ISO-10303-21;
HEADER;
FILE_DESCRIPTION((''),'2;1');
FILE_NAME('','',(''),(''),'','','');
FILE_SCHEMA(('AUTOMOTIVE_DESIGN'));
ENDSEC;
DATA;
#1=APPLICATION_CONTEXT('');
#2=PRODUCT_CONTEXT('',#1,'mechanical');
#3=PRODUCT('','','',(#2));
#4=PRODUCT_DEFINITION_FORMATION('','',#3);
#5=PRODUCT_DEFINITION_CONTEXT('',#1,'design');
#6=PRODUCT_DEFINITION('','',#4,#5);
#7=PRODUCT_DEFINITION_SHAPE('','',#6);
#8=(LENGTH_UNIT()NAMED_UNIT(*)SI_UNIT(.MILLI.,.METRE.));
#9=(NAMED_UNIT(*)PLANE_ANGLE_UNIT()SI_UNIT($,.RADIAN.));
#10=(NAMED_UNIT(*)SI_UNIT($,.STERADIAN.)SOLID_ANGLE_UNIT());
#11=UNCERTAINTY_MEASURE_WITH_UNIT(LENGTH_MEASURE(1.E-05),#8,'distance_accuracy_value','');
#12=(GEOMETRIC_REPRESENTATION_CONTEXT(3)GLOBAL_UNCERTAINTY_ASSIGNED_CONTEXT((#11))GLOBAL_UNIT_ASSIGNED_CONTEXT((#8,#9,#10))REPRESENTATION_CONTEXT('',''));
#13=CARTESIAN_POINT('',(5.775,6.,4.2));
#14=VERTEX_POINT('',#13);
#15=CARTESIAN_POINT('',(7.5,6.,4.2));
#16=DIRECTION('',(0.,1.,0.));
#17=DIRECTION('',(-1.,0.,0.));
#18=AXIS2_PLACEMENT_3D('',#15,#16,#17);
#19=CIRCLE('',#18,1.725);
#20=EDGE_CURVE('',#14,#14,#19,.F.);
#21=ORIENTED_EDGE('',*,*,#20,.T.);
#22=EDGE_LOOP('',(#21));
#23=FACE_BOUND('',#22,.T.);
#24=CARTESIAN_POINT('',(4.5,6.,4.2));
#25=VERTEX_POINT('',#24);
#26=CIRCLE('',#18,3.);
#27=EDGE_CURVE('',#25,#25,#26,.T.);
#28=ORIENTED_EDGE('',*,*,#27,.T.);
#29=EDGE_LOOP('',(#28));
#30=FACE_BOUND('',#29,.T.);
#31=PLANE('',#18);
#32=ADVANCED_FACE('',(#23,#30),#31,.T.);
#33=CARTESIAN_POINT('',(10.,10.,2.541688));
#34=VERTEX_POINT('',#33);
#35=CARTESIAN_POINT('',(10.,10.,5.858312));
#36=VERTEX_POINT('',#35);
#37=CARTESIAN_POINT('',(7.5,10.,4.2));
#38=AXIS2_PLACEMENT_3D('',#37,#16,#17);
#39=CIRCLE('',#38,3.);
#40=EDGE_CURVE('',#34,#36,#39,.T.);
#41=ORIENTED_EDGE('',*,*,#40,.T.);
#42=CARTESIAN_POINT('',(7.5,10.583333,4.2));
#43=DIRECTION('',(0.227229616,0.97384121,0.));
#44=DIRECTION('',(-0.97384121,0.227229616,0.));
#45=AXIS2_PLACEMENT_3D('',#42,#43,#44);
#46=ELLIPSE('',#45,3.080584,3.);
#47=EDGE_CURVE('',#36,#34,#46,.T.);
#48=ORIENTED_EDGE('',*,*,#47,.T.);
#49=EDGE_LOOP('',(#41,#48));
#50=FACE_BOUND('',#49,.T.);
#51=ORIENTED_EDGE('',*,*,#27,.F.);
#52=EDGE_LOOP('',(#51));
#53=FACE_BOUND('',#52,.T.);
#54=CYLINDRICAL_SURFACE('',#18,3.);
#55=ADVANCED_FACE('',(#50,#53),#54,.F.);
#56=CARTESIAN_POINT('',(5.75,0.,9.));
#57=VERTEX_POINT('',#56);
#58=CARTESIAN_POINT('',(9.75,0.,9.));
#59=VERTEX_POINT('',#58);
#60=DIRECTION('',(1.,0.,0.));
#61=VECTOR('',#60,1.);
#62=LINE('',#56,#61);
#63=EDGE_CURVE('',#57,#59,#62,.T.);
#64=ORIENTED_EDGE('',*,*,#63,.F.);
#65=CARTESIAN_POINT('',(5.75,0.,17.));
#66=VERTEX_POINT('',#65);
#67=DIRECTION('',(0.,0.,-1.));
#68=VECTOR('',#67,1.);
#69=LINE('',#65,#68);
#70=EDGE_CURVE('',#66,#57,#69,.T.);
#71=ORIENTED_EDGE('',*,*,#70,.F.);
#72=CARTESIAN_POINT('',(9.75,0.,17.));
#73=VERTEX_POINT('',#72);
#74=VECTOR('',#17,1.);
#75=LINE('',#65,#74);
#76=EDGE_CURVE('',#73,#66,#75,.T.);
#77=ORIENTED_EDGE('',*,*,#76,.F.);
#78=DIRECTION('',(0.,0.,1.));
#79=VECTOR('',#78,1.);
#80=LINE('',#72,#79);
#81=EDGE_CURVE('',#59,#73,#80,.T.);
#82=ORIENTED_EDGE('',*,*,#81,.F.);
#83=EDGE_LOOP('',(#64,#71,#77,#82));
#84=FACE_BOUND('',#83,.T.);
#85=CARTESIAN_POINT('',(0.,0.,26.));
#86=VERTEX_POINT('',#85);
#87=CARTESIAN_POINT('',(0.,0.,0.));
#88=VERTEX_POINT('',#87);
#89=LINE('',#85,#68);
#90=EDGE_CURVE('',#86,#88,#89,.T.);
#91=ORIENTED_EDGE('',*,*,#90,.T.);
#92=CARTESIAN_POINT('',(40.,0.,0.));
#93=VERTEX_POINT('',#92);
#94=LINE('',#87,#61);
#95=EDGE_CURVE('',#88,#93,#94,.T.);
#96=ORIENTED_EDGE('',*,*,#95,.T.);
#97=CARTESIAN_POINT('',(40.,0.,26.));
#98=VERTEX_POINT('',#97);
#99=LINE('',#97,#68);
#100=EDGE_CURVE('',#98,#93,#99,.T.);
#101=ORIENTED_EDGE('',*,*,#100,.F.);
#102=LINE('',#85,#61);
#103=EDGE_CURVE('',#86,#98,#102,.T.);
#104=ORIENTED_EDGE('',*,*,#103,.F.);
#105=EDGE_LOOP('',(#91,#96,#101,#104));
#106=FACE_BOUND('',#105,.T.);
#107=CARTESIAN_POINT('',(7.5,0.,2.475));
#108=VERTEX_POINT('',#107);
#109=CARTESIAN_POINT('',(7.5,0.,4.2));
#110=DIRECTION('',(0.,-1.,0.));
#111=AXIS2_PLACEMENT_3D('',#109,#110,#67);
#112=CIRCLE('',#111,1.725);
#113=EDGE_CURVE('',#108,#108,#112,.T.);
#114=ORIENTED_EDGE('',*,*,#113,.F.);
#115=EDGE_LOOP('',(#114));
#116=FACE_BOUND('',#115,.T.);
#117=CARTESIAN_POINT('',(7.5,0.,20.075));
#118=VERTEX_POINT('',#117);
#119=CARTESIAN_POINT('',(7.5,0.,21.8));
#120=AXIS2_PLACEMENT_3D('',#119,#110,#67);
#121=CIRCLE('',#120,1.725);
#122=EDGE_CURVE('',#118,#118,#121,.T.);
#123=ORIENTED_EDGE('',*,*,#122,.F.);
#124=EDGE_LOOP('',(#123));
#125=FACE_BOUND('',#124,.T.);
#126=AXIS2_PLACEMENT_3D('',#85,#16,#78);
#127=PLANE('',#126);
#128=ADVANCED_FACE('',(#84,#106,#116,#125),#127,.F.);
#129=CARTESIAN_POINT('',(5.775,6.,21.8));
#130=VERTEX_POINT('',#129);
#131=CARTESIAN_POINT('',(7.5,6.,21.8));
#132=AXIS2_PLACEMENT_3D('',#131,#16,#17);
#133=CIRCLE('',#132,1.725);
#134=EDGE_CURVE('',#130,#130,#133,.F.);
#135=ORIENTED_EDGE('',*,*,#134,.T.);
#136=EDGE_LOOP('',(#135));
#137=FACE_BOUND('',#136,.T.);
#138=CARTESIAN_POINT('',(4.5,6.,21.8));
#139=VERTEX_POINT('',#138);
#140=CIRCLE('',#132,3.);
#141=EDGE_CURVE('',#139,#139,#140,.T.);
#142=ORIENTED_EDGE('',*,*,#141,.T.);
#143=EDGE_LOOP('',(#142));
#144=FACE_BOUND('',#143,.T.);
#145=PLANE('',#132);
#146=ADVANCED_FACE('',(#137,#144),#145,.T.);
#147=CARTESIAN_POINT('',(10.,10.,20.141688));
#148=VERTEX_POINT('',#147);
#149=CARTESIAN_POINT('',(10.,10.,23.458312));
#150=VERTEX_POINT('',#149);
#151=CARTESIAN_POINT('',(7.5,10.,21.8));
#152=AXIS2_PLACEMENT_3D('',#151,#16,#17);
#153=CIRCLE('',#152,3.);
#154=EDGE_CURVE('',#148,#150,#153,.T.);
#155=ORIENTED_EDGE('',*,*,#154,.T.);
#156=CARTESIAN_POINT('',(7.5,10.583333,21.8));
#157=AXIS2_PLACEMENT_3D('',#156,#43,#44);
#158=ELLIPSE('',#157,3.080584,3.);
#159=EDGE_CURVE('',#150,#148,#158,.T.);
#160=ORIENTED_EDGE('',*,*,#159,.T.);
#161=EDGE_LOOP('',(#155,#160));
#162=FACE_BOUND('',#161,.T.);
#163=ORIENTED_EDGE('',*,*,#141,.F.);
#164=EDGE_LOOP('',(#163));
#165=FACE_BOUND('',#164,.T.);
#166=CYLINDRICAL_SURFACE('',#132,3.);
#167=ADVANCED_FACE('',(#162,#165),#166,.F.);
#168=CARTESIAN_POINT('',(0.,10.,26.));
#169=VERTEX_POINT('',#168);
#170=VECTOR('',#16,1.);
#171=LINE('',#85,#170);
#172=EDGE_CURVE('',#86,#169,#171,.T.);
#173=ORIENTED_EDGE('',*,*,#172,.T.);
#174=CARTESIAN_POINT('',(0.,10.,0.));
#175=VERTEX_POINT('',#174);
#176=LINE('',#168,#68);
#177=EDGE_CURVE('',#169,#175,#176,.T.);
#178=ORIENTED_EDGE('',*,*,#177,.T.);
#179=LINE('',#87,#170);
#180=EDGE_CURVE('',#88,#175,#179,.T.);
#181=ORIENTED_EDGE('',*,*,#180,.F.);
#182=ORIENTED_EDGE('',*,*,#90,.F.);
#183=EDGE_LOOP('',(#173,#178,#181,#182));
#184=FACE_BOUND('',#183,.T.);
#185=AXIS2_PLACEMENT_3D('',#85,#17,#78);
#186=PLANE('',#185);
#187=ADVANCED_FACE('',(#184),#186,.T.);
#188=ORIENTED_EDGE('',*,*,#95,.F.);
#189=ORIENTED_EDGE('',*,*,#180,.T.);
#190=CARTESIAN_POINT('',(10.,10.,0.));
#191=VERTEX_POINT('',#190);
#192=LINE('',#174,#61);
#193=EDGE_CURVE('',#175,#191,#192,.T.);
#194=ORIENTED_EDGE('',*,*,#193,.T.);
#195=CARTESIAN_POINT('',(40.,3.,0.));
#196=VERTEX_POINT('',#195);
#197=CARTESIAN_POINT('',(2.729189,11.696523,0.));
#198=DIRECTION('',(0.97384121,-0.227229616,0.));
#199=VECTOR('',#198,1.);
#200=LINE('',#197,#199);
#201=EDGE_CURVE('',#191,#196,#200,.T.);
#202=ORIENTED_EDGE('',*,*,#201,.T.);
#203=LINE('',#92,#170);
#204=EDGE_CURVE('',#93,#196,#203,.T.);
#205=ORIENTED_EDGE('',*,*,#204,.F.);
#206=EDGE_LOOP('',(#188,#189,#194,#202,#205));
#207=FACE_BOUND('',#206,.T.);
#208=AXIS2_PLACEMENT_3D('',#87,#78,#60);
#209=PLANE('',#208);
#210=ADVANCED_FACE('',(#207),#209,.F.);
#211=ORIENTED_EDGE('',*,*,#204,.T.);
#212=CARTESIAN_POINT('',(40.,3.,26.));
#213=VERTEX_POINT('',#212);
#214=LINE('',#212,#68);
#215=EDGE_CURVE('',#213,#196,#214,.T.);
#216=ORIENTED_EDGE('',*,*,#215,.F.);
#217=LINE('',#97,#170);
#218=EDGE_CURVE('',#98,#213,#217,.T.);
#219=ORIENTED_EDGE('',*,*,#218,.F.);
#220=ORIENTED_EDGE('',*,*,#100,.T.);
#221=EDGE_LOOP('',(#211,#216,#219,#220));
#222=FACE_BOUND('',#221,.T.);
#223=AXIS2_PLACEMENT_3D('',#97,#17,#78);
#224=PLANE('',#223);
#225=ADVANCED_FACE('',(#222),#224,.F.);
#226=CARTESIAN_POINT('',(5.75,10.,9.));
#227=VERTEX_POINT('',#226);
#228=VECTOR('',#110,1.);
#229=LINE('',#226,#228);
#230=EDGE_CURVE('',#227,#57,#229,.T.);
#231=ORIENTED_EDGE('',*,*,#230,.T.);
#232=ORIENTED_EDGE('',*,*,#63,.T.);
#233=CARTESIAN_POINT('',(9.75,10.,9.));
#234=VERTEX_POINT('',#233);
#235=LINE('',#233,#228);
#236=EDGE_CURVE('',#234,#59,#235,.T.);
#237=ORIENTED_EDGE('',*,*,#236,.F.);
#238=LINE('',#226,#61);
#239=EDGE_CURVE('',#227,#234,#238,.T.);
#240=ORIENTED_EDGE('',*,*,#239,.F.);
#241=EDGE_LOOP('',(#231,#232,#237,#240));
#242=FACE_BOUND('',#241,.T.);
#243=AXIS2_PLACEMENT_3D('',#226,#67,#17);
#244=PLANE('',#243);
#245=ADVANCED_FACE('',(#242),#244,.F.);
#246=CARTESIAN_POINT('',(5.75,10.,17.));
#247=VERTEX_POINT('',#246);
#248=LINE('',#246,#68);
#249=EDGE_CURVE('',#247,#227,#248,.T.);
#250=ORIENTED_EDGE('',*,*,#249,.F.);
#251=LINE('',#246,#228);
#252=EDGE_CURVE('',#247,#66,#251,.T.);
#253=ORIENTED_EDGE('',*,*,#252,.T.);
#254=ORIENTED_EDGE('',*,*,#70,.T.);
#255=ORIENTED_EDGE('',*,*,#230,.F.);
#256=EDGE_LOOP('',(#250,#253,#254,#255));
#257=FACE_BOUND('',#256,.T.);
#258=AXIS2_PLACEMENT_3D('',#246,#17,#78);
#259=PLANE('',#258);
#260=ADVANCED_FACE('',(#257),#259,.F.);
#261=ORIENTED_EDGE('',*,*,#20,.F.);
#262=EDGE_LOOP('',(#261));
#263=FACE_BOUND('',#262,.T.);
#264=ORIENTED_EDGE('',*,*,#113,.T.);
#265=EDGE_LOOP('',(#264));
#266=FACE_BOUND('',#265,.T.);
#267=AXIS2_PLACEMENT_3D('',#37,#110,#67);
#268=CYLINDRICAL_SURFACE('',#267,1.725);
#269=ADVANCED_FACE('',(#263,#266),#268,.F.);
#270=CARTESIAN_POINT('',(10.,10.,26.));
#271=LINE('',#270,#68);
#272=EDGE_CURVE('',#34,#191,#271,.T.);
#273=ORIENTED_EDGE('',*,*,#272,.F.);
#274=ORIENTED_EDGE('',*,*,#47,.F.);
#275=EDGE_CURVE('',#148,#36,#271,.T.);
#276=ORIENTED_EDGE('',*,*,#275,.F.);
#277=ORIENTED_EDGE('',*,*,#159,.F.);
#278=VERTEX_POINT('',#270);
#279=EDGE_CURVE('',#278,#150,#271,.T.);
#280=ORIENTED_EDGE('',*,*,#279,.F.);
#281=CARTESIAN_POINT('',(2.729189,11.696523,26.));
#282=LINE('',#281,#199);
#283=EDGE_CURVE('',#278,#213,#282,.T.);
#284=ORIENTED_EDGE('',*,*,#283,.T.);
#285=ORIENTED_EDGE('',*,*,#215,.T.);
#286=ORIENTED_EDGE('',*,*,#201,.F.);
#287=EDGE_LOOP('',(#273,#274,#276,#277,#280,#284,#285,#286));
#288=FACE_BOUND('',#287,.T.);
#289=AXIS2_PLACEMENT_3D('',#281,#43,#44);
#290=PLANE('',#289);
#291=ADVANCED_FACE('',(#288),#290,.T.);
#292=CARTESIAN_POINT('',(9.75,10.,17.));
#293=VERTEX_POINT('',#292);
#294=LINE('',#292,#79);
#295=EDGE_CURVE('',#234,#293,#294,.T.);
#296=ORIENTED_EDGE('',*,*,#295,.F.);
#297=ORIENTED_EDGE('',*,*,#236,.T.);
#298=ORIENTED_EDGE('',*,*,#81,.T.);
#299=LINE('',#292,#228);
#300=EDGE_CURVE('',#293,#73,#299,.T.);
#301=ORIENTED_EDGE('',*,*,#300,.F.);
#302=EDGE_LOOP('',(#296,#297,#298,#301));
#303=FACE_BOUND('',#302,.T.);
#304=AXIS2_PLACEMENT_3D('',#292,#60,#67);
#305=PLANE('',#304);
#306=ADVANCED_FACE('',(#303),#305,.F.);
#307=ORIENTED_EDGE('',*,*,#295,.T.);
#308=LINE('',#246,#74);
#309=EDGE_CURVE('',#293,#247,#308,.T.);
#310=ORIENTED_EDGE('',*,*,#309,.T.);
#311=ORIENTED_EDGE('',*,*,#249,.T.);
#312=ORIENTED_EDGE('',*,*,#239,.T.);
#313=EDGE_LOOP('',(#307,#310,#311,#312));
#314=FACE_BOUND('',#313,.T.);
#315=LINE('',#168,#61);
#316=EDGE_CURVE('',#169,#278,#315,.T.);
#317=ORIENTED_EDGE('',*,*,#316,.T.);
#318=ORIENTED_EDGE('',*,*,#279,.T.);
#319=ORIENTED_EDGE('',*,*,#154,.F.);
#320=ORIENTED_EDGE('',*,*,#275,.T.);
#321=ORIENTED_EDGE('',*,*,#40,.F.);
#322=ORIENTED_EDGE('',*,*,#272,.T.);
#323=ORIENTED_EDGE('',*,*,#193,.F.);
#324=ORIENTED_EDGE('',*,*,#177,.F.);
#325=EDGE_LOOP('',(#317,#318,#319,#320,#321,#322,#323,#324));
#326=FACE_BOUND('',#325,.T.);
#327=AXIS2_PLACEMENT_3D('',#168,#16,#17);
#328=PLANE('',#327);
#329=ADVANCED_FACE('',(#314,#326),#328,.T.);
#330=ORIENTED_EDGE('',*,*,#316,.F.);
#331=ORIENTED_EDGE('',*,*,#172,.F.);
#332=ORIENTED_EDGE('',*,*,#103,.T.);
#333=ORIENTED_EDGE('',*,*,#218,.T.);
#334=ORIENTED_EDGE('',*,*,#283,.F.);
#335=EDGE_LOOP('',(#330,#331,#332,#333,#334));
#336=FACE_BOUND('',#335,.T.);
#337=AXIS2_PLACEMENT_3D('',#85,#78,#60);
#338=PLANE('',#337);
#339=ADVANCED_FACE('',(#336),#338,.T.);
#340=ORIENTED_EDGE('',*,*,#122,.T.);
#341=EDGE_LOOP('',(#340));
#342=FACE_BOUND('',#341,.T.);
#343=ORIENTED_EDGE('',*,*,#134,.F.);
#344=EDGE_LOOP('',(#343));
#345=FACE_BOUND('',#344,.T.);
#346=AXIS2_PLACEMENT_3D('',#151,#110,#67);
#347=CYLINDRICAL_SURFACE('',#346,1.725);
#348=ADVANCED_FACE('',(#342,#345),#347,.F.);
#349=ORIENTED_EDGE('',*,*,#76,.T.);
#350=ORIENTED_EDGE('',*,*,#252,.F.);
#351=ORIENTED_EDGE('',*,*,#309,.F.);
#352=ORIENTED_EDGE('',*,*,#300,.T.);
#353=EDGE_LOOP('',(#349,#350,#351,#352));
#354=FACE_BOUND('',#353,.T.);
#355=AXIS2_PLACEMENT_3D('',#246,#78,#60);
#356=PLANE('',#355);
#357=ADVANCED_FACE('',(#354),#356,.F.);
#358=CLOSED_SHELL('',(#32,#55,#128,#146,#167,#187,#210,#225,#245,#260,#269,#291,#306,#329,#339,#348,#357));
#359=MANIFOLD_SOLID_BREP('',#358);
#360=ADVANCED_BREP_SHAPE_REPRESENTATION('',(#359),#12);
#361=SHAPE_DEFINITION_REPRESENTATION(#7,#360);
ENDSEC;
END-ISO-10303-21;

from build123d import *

# Parameters (mm, degrees)
SKETCH1_W           = 40
SKETCH1_H           = 3
SKETCH1_W_2         = 10
SKETCH1_H_2         = 7
BOSS_EXTRUDE1_DEPTH = 26
SKETCH3_R           = 1.725
SKETCH3_W           = 4
SKETCH3_H           = 8
CUT_EXTRUDE1_DEPTH  = 49.744230428
SKETCH4_R           = 3
CUT_EXTRUDE2_DEPTH  = 4


with BuildPart() as part:
    # Sketch1 → Boss-Extrude1 (new body)
    with BuildSketch(Plane.XY):
        with Locations((20, 1.5)):
            Rectangle(SKETCH1_W, SKETCH1_H)
        Polygon((40, 3), (10, 10), (10, 3), align=None)
        with Locations((5, 6.5)):
            Rectangle(SKETCH1_W_2, SKETCH1_H_2)
    extrude(amount=BOSS_EXTRUDE1_DEPTH)

    # Sketch3 → Cut-Extrude1 (cut, through all)
    with BuildSketch(Plane.XZ):
        with Locations(Location((7.5, 21.8, 0), (0, 0, 270))):
            Circle(SKETCH3_R)
        with Locations(Location((7.5, 4.2, 0), (0, 0, 270))):
            Circle(SKETCH3_R)
        with Locations((7.75, 13)):
            Rectangle(SKETCH3_W, SKETCH3_H)
    extrude(amount=-CUT_EXTRUDE1_DEPTH, mode=Mode.SUBTRACT)

    # Sketch4 → Cut-Extrude2 (cut)
    with BuildSketch(Plane(origin=(0, 10, 0), x_dir=(1, 0, 0), z_dir=(0, 1, 0))):
        with Locations(Location((7.5, -4.2, 0), (0, 0, 180))):
            Circle(SKETCH4_R)
        with Locations(Location((7.5, -21.8, 0), (0, 0, 180))):
            Circle(SKETCH4_R)
    extrude(amount=-CUT_EXTRUDE2_DEPTH, mode=Mode.SUBTRACT)


solid = part.part
